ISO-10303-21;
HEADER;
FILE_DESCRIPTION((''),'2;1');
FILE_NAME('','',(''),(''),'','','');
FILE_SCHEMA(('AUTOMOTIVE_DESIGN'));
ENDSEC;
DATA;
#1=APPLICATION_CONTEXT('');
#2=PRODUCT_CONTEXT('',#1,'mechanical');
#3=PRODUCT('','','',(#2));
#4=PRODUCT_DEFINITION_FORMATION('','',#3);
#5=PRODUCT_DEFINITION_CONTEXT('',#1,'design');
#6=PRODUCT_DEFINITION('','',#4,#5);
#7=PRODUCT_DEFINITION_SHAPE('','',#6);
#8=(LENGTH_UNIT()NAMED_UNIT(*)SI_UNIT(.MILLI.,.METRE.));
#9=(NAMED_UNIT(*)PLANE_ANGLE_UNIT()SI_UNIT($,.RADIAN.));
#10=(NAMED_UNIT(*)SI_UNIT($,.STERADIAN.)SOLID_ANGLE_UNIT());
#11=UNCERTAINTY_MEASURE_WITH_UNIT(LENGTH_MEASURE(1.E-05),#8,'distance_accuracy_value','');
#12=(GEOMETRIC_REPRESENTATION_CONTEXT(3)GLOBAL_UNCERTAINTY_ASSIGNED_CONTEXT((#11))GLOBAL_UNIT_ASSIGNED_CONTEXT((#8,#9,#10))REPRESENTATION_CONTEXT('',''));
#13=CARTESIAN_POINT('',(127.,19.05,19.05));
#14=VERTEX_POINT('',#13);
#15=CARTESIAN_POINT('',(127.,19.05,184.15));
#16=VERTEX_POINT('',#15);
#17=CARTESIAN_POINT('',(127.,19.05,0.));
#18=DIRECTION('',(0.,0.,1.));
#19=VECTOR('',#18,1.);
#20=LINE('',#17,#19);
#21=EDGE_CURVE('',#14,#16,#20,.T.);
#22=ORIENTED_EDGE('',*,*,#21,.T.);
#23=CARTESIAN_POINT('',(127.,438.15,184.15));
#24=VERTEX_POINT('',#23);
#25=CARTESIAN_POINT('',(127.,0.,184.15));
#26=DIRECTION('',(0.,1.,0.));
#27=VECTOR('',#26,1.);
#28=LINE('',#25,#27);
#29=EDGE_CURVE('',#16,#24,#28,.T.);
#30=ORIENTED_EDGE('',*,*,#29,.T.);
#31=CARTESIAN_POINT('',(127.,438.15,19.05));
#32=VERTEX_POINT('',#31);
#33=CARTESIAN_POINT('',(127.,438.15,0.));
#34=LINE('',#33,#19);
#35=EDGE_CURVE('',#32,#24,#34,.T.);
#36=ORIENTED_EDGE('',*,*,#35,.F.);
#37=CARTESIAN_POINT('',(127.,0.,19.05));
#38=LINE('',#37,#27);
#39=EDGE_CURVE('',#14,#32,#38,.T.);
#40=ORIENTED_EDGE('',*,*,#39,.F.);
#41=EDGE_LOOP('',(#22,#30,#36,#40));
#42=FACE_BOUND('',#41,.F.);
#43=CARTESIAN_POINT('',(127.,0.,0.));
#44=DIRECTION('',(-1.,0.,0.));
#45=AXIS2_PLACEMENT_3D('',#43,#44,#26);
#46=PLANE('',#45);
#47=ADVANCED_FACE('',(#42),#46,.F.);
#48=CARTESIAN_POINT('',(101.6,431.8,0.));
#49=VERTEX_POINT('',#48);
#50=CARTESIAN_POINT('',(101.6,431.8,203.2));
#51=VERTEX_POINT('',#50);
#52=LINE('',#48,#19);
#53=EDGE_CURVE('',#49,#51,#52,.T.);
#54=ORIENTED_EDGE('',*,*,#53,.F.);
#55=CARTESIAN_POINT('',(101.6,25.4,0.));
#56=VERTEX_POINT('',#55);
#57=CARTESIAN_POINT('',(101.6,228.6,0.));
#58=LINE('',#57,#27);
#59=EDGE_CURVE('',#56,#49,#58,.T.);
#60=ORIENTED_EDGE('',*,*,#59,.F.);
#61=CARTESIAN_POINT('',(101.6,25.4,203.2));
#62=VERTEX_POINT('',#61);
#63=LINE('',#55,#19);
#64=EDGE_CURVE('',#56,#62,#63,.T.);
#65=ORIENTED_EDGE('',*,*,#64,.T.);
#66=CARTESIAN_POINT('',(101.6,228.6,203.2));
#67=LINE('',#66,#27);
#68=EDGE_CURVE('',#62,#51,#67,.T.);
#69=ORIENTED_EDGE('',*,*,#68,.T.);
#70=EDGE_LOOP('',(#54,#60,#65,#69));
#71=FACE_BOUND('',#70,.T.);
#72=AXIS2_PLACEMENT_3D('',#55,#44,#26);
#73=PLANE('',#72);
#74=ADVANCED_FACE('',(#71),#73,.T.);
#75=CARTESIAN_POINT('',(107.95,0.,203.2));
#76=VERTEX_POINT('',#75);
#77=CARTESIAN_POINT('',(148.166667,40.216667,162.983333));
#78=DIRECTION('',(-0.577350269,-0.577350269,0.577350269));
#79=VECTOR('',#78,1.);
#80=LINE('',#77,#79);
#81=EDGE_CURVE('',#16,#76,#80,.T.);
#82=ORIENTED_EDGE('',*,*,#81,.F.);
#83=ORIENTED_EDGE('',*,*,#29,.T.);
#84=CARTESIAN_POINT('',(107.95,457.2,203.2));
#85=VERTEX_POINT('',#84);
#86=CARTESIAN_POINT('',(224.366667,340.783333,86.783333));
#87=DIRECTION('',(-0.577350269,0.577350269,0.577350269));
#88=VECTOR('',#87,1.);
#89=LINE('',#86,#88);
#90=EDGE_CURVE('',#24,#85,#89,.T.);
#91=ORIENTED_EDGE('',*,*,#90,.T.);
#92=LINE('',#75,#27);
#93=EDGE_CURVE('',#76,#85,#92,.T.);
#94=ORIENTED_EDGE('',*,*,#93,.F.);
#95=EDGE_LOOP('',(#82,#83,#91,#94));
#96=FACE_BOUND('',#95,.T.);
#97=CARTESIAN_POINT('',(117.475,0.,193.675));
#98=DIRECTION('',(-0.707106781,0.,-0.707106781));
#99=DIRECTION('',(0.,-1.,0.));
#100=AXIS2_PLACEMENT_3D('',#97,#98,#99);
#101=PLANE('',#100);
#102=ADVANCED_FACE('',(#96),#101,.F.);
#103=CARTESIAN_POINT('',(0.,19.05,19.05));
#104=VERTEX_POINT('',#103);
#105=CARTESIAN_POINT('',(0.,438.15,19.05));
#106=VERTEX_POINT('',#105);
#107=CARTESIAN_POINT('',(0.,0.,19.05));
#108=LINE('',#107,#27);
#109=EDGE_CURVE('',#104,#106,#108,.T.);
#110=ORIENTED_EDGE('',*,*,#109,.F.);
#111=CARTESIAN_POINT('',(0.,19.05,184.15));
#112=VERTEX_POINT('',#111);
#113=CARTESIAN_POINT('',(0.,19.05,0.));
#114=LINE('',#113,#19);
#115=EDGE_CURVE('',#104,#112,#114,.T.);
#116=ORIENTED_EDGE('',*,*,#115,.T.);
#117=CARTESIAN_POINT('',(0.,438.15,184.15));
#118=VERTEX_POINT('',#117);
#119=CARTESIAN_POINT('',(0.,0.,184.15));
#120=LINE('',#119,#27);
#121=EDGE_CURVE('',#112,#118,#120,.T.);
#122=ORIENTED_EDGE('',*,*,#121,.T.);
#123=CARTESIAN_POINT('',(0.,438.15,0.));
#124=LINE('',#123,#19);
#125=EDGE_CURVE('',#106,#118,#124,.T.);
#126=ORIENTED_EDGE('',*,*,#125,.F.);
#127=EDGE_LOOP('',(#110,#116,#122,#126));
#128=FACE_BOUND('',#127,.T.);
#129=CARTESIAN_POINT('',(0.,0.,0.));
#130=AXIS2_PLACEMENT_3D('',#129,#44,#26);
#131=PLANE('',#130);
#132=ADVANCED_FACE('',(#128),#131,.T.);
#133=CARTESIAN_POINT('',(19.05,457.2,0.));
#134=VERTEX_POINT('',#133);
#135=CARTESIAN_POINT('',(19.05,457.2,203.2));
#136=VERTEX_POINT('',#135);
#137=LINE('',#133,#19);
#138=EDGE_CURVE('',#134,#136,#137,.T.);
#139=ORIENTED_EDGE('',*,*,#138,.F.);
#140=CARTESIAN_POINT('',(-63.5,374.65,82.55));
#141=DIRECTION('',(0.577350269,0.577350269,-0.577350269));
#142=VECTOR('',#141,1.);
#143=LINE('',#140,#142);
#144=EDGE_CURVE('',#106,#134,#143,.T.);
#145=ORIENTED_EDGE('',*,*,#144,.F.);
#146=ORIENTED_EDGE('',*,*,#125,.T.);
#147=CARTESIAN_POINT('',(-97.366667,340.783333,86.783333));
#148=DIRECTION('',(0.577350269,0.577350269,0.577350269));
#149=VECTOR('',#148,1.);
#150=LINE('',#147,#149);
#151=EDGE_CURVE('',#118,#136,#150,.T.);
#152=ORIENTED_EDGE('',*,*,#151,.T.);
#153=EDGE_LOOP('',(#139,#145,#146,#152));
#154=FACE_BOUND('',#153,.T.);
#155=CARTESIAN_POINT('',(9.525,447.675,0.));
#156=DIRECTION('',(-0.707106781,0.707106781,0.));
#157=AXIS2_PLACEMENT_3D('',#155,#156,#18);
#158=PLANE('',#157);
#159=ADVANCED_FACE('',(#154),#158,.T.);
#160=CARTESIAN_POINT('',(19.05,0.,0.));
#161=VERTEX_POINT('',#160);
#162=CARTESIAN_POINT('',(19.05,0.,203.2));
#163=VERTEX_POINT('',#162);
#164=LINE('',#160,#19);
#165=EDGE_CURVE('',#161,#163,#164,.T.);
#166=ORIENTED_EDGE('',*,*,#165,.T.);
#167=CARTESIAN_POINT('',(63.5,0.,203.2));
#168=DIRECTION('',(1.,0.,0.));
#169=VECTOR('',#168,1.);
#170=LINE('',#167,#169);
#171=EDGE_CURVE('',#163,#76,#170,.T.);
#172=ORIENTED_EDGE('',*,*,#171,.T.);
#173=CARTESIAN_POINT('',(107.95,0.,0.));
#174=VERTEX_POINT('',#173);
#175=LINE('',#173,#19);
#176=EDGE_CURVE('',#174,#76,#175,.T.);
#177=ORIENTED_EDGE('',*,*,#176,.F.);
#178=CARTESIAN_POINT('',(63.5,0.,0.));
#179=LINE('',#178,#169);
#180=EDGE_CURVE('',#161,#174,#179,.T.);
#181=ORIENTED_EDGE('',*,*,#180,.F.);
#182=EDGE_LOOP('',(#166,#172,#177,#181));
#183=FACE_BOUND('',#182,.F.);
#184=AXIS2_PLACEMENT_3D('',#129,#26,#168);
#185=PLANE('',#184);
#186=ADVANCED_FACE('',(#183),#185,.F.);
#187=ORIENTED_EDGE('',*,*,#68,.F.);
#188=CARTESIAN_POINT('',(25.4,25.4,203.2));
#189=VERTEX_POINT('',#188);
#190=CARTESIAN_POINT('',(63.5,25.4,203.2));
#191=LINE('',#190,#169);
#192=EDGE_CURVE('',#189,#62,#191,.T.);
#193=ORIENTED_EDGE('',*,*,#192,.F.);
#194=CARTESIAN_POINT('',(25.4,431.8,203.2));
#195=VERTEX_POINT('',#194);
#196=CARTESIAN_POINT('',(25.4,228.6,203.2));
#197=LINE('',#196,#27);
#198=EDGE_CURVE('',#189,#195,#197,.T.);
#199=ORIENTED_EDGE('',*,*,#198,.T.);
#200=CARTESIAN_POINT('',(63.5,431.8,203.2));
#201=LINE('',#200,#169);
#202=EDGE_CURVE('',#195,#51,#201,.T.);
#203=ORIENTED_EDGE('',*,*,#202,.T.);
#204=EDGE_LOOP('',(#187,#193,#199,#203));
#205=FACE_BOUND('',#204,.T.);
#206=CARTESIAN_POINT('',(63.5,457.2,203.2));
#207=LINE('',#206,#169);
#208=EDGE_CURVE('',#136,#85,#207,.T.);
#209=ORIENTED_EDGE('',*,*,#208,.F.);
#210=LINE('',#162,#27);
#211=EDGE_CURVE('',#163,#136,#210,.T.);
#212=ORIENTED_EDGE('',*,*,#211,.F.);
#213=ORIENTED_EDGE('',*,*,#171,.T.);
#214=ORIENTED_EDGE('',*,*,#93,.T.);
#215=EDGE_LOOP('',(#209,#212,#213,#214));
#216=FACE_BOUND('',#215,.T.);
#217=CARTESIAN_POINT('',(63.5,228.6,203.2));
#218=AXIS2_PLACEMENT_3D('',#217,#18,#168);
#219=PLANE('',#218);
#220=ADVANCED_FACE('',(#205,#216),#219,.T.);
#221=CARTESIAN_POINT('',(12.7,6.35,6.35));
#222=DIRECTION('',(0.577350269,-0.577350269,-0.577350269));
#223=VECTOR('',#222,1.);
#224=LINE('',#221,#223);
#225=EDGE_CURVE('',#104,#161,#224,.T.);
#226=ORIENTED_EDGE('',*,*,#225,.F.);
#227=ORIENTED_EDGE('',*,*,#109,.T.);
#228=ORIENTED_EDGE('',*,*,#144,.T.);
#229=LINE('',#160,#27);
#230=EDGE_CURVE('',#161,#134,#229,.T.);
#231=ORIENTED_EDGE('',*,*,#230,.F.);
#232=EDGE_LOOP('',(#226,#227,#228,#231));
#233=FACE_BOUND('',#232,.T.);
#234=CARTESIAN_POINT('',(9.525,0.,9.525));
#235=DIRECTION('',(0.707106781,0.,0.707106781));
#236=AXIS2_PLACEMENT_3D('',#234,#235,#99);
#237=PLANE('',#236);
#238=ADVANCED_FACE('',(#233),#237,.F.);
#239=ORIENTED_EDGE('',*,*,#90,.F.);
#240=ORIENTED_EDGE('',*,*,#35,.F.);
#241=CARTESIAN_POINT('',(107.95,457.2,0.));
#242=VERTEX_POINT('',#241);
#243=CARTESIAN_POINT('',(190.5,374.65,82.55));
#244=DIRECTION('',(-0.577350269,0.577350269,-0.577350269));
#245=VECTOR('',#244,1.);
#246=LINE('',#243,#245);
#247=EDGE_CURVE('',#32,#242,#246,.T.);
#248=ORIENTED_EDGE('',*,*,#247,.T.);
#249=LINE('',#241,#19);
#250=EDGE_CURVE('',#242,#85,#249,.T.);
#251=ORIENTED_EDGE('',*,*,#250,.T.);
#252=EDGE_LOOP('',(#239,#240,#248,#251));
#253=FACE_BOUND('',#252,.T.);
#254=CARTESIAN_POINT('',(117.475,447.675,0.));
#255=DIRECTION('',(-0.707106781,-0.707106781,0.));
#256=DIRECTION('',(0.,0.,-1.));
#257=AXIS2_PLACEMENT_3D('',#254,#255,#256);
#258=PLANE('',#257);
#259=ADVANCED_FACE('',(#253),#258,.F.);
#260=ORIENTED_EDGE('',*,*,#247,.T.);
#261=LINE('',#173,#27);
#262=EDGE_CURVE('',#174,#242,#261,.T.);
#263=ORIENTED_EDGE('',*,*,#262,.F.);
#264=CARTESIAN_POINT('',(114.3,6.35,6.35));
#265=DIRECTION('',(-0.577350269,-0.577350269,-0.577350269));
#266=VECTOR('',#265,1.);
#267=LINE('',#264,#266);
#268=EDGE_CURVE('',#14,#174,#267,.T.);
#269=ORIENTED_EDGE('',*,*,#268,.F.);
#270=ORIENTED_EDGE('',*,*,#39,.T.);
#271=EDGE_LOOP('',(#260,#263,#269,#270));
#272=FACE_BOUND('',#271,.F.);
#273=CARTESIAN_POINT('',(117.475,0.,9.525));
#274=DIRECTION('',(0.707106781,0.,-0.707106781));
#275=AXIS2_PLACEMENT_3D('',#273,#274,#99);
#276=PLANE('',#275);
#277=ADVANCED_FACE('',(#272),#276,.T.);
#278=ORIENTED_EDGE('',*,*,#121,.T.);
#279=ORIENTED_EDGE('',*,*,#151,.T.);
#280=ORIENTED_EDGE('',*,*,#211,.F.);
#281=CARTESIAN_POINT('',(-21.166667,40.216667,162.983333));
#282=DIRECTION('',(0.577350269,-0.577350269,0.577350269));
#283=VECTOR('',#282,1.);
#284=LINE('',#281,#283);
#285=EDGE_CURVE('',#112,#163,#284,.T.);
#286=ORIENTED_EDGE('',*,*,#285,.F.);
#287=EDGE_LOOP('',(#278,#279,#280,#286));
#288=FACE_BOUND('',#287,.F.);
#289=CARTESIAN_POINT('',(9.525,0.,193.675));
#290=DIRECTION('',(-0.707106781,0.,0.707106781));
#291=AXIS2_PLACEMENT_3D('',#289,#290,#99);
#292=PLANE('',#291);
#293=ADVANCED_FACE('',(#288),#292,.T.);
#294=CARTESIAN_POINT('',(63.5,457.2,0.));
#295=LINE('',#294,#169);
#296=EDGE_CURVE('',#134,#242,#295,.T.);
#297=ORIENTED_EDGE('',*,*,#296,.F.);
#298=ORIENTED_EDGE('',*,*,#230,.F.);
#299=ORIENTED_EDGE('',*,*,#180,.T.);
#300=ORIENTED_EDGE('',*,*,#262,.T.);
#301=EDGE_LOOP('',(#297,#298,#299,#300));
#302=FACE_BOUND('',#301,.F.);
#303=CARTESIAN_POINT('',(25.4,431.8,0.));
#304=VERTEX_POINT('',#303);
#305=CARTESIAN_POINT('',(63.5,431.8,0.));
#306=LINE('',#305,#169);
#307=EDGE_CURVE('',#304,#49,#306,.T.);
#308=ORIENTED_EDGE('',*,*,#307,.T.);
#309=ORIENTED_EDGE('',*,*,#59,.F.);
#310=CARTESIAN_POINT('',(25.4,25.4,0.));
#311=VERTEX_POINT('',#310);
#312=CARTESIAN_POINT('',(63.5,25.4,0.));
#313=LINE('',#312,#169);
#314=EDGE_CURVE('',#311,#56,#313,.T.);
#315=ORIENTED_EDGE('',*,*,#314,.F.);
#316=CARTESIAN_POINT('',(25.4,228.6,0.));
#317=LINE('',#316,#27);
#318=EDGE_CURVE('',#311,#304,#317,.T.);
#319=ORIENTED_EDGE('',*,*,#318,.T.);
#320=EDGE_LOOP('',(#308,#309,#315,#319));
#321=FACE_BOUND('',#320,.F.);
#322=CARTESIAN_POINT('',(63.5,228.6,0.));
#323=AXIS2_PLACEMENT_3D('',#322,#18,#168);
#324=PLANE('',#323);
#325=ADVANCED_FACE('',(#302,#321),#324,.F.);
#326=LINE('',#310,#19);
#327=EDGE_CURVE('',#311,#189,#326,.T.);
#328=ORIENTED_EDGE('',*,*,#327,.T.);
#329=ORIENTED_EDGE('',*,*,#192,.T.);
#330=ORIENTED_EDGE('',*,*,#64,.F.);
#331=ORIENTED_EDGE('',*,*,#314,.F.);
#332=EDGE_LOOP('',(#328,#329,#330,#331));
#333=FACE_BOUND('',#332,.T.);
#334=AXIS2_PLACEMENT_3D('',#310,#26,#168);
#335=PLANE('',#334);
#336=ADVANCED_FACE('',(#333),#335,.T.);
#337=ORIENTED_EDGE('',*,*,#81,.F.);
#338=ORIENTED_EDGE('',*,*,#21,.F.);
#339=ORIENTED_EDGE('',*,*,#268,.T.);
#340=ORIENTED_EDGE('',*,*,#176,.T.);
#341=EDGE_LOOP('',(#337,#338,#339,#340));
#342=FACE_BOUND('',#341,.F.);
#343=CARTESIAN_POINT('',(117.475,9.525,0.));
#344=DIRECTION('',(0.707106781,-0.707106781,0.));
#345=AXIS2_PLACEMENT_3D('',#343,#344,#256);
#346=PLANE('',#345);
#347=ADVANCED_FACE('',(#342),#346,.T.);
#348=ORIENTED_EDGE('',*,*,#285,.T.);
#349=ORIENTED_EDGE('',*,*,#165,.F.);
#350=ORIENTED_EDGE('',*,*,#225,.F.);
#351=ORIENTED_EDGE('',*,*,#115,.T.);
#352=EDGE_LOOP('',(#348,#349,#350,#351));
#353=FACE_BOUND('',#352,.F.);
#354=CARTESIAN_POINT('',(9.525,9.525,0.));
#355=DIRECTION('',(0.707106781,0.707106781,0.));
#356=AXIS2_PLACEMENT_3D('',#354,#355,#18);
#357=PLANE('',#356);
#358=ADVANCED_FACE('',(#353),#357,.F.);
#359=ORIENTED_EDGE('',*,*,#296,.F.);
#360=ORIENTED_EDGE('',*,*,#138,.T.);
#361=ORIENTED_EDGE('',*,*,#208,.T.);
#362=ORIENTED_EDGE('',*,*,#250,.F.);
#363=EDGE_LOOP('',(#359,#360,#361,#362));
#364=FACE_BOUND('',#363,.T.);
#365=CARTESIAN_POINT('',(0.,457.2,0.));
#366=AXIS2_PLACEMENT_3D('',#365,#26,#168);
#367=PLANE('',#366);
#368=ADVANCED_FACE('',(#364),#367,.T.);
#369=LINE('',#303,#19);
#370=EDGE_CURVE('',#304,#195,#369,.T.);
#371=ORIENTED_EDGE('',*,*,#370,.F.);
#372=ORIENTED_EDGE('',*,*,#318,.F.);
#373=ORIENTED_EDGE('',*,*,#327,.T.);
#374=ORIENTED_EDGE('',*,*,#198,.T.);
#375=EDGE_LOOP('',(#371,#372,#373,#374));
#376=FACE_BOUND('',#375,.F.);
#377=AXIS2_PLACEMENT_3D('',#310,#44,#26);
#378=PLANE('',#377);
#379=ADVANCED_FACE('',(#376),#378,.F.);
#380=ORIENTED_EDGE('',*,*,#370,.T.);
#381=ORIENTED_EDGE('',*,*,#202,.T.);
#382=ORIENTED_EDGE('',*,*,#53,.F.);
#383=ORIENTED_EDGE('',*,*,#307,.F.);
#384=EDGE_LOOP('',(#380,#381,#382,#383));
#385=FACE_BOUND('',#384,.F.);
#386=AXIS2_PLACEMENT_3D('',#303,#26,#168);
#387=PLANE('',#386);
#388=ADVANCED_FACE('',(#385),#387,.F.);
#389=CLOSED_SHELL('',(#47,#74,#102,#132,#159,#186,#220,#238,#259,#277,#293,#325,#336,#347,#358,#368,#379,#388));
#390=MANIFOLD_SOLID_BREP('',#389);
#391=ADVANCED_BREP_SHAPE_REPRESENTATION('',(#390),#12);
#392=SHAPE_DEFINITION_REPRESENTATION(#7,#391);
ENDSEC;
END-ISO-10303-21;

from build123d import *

# Parameters (mm, degrees)
F0_W     = 127
F0_H     = 457.2
F0_W_2   = 76.2
F0_H_2   = 406.4
F1_DEPTH = 203.2
F2_SIZE  = 19.05


with BuildPart() as f1:
    # F0 (on Top) → F1 (new body)
    with BuildSketch(Plane.XY):
        with Locations((63.5, 228.6)):
            Rectangle(F0_W, F0_H)
        with Locations((63.5, 228.6)):
            Rectangle(F0_W_2, F0_H_2, mode=Mode.SUBTRACT)
    extrude(amount=F1_DEPTH)

    # F2
    f2_edges = [f1.edges().sort_by_distance(p)[0] for p in [
        (127, 228.6, 203.2),
        (127, 228.6, 0),
        (0, 228.6, 203.2),
        (0, 228.6, 0),
        (127, 0, 101.6),
        (0, 0, 101.6),
        (127, 457.2, 101.6),
        (0, 457.2, 101.6),
    ]]
    chamfer(f2_edges, length=F2_SIZE)


solid = f1.part
